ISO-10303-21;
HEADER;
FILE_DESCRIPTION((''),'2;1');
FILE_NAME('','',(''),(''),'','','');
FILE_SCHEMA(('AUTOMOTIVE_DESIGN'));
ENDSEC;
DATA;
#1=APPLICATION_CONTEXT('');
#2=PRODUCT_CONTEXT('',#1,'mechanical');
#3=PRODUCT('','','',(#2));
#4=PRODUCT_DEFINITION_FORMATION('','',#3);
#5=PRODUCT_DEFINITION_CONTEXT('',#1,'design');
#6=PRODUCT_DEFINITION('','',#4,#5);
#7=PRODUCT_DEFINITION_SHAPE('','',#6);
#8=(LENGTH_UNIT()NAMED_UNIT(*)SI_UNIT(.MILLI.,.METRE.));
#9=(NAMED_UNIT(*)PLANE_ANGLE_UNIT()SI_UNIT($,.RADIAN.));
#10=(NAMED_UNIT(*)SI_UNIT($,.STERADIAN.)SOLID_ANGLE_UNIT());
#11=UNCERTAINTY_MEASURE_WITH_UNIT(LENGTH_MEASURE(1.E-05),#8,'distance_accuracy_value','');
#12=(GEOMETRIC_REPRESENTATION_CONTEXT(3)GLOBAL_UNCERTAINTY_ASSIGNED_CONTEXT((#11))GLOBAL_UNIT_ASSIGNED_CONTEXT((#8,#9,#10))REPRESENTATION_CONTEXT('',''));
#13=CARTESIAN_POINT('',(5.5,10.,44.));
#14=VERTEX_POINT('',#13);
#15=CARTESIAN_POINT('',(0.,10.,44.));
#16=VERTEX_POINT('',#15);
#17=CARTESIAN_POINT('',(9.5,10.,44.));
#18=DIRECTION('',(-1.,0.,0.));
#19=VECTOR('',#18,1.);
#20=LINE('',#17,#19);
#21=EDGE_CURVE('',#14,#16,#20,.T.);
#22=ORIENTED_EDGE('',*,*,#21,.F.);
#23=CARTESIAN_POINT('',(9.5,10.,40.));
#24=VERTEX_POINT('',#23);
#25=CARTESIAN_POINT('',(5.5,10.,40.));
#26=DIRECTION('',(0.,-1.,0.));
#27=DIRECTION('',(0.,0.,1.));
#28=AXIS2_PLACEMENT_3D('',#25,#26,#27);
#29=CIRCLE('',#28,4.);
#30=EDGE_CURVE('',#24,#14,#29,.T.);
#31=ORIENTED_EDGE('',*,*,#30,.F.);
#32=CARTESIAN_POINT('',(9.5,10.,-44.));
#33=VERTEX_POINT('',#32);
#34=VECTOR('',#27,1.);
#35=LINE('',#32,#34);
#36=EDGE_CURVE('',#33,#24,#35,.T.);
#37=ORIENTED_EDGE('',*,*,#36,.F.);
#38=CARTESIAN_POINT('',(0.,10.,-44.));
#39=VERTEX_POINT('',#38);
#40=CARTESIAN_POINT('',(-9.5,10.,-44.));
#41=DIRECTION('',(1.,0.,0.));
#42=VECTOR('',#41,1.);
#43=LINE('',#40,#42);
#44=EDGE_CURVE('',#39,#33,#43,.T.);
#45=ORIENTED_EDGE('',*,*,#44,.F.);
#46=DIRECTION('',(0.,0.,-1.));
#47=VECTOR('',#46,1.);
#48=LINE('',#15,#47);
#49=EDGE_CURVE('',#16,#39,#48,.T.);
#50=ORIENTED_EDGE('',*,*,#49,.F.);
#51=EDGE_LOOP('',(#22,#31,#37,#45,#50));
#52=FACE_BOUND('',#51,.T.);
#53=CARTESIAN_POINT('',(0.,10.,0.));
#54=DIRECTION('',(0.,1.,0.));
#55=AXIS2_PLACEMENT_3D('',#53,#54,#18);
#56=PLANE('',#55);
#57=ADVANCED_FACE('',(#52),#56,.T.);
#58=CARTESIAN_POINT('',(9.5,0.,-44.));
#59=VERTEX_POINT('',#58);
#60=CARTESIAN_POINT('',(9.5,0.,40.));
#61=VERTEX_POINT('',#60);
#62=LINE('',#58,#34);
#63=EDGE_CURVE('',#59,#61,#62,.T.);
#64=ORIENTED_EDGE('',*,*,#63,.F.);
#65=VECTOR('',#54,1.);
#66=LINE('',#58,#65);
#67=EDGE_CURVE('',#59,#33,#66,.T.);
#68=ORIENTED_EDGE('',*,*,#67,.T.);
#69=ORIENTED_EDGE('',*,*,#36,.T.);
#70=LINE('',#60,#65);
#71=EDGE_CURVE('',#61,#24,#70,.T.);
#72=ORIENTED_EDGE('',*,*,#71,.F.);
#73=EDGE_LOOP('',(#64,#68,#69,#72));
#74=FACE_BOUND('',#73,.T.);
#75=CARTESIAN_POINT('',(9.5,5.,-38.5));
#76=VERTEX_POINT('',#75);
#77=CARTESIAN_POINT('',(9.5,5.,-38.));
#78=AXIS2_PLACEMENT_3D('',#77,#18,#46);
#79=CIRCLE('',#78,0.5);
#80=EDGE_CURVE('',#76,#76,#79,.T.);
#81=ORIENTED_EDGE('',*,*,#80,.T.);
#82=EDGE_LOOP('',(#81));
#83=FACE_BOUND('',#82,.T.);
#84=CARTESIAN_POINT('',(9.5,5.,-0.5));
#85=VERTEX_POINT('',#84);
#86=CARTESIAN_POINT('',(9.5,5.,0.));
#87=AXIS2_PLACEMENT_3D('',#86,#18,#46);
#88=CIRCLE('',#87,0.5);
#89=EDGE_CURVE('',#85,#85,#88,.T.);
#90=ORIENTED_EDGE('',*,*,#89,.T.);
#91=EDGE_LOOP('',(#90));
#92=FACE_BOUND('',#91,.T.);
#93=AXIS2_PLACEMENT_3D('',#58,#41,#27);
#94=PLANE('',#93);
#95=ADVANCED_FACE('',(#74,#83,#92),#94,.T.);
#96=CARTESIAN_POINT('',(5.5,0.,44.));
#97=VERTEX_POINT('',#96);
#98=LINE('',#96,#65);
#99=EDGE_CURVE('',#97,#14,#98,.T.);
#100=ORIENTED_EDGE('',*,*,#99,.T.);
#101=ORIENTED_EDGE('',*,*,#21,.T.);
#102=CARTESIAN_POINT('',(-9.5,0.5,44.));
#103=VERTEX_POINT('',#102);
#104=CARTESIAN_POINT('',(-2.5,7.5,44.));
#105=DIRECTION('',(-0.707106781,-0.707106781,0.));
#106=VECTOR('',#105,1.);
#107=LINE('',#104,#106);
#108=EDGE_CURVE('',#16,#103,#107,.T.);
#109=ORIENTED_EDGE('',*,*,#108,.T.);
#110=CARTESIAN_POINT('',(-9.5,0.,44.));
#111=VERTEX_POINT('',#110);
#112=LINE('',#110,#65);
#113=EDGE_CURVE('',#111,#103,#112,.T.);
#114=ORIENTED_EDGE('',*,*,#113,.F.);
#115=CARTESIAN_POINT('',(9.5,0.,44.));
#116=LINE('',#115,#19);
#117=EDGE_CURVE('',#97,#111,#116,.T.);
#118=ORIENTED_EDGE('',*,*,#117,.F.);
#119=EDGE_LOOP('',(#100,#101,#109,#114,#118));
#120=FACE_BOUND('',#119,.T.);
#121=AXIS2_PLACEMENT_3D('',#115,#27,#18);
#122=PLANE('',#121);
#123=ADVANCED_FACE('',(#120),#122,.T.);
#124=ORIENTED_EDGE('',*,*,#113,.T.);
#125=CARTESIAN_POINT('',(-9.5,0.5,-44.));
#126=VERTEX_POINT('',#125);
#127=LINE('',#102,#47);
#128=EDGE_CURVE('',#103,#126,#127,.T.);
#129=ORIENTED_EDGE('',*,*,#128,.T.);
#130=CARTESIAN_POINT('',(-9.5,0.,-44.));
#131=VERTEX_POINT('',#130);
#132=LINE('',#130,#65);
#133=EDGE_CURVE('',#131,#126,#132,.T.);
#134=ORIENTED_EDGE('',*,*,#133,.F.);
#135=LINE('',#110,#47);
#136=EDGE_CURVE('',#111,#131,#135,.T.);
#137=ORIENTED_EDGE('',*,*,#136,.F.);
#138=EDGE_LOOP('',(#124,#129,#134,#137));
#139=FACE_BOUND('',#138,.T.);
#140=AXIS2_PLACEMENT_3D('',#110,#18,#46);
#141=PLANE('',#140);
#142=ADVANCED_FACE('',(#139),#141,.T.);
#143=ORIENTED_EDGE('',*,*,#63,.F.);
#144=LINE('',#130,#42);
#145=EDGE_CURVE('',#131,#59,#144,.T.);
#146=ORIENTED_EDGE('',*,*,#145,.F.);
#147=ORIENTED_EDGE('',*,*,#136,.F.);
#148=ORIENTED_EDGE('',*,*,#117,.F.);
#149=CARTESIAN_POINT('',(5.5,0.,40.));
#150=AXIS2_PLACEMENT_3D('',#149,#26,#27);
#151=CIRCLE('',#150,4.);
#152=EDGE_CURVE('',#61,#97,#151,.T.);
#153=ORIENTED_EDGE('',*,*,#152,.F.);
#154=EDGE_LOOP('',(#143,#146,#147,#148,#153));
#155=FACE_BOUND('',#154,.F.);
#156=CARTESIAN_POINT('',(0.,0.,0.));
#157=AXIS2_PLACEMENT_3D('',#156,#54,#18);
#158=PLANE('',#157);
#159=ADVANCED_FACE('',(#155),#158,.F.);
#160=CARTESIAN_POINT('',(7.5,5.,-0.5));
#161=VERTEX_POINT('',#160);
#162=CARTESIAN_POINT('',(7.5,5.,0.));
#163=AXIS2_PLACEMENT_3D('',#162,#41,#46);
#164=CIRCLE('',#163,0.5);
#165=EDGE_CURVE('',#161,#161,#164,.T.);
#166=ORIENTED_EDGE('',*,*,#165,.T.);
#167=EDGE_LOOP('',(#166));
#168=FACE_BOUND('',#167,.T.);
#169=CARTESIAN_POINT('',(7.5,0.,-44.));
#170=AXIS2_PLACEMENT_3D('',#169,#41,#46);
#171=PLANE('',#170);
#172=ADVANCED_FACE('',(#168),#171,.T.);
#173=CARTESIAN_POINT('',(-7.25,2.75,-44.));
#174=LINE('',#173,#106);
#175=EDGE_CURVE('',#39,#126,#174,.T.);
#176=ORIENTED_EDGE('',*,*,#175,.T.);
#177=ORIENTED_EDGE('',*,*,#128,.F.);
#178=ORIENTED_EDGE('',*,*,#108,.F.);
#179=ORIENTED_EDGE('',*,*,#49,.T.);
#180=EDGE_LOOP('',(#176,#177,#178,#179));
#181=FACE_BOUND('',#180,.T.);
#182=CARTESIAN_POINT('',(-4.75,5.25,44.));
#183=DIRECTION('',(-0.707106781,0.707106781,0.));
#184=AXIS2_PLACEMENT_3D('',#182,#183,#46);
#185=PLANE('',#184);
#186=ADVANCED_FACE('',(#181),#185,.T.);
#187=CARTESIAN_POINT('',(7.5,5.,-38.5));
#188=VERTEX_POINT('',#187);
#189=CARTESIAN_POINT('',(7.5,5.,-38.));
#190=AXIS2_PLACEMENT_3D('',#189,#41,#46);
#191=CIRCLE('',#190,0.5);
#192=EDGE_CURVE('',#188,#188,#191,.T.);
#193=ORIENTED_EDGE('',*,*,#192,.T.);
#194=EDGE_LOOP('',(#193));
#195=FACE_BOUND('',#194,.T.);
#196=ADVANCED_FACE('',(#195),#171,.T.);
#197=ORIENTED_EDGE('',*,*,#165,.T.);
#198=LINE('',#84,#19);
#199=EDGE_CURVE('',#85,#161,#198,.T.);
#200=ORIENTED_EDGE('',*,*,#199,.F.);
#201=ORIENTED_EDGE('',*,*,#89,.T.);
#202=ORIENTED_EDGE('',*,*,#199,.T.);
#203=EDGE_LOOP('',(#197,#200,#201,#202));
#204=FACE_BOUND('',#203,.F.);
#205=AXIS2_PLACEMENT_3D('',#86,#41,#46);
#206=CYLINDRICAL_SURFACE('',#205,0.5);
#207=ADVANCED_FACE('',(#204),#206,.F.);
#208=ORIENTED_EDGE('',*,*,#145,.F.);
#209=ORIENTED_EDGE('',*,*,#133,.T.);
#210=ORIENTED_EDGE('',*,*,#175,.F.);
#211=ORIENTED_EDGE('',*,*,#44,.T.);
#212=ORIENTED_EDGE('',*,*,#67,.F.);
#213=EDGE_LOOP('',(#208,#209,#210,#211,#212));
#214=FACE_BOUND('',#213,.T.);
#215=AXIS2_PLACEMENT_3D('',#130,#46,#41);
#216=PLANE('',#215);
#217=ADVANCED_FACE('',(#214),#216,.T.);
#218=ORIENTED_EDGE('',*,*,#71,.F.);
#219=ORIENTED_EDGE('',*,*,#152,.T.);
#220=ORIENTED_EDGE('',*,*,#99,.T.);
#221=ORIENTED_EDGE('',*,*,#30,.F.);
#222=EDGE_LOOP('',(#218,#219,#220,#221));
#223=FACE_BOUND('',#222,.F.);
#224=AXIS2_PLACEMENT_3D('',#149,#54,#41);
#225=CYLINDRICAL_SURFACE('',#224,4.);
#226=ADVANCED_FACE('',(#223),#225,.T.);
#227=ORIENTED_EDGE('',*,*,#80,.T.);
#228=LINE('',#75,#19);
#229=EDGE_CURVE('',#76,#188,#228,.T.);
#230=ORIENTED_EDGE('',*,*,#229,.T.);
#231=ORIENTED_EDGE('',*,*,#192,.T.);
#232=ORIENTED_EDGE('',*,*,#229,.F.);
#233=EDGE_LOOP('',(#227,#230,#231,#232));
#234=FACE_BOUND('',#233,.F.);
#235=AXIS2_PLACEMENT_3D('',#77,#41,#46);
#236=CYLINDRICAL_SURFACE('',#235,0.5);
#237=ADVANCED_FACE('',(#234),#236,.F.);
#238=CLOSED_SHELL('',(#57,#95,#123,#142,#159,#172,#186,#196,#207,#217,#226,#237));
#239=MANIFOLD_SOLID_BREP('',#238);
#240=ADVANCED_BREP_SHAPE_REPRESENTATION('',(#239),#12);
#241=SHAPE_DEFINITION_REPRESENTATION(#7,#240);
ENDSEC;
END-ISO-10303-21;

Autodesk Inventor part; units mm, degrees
ref_plane "YZ Plane" through (0, 0, 0) normal (1, 0, 0) x (0, 1, 0)
ref_plane "XZ Plane" through (0, 0, 0) normal (0, 1, 0) x (-1, 0, 0)
ref_plane "XY Plane" through (0, 0, 0) normal (0, 0, 1) x (1, 0, 0)
sketch "Sketch1" plane through (0, 0, 0) normal (0, 1, 0) x (-1, 0, 0)
  line L0 (9.5, -44) -> (-9.5, -44)
  line L1 (-9.5, -44) -> (-9.5, 44)
  line L2 (-9.5, 44) -> (9.5, 44)
  line L3 (9.5, 44) -> (9.5, -44)
  line L4 (9.5, -44) -> (-9.5, 44) construction
  line L5 (-9.5, -44) -> (9.5, 44) construction
  point P0 (0, 0)
  dimension "d0" = 19
  dimension "d1" = 88
extrude "Extrusion1" add sketch "Sketch1" along normal blind 10
fillet "Fillet1" radius 4 1 edges at (9.5, 5, 44)
chamfer "Chamfer1" distance 9.5 angle 45 1 edges at (-9.5, 10, 0)
sketch "Sketch2" plane through (9.5, 0, -44) normal (1, 0, 0) x (0, 0, -1)
  line L0 (0, 0) -> (-50, 0)
  line L1 (-50, 0) -> (-50, 5)
  line L2 (-50, 5) -> (0, 5)
  line L3 (0, 5) -> (0, 0)
  line L4 (-6, 5.5) -> (-44, 5.5)
  line L5 (-44, 5.5) -> (-44, 4.5)
  line L6 (-44, 4.5) -> (-6, 4.5)
  line L7 (-6, 4.5) -> (-6, 5.5)
  line L8 (-6, 5.5) -> (-44, 4.5) construction
  line L9 (-44, 5.5) -> (-6, 4.5) construction
  circle A0 centre (-44, 5) radius 0.5
  circle A1 centre (-6, 5) radius 0.5
  point P0 (-44, 0)
  point P1 (-25, 5)
  dimension "d8" = 50
  dimension "d9" = 5
  dimension "d10" = 38
  dimension "d11" = 1
  dimension "d12" = 1
  dimension "d13" = 1
extrude "Extrusion2" cut sketch "Sketch2" against normal blind 2 contours A1 L7 L2 | L2 L7 A1 | A0 L5 L2 | L2 L5 A0 | L7 A1 L2 | L2 A1 L7 | L5 A0 L2 | L2 A0 L5
properties part number "komatex_senzor"
